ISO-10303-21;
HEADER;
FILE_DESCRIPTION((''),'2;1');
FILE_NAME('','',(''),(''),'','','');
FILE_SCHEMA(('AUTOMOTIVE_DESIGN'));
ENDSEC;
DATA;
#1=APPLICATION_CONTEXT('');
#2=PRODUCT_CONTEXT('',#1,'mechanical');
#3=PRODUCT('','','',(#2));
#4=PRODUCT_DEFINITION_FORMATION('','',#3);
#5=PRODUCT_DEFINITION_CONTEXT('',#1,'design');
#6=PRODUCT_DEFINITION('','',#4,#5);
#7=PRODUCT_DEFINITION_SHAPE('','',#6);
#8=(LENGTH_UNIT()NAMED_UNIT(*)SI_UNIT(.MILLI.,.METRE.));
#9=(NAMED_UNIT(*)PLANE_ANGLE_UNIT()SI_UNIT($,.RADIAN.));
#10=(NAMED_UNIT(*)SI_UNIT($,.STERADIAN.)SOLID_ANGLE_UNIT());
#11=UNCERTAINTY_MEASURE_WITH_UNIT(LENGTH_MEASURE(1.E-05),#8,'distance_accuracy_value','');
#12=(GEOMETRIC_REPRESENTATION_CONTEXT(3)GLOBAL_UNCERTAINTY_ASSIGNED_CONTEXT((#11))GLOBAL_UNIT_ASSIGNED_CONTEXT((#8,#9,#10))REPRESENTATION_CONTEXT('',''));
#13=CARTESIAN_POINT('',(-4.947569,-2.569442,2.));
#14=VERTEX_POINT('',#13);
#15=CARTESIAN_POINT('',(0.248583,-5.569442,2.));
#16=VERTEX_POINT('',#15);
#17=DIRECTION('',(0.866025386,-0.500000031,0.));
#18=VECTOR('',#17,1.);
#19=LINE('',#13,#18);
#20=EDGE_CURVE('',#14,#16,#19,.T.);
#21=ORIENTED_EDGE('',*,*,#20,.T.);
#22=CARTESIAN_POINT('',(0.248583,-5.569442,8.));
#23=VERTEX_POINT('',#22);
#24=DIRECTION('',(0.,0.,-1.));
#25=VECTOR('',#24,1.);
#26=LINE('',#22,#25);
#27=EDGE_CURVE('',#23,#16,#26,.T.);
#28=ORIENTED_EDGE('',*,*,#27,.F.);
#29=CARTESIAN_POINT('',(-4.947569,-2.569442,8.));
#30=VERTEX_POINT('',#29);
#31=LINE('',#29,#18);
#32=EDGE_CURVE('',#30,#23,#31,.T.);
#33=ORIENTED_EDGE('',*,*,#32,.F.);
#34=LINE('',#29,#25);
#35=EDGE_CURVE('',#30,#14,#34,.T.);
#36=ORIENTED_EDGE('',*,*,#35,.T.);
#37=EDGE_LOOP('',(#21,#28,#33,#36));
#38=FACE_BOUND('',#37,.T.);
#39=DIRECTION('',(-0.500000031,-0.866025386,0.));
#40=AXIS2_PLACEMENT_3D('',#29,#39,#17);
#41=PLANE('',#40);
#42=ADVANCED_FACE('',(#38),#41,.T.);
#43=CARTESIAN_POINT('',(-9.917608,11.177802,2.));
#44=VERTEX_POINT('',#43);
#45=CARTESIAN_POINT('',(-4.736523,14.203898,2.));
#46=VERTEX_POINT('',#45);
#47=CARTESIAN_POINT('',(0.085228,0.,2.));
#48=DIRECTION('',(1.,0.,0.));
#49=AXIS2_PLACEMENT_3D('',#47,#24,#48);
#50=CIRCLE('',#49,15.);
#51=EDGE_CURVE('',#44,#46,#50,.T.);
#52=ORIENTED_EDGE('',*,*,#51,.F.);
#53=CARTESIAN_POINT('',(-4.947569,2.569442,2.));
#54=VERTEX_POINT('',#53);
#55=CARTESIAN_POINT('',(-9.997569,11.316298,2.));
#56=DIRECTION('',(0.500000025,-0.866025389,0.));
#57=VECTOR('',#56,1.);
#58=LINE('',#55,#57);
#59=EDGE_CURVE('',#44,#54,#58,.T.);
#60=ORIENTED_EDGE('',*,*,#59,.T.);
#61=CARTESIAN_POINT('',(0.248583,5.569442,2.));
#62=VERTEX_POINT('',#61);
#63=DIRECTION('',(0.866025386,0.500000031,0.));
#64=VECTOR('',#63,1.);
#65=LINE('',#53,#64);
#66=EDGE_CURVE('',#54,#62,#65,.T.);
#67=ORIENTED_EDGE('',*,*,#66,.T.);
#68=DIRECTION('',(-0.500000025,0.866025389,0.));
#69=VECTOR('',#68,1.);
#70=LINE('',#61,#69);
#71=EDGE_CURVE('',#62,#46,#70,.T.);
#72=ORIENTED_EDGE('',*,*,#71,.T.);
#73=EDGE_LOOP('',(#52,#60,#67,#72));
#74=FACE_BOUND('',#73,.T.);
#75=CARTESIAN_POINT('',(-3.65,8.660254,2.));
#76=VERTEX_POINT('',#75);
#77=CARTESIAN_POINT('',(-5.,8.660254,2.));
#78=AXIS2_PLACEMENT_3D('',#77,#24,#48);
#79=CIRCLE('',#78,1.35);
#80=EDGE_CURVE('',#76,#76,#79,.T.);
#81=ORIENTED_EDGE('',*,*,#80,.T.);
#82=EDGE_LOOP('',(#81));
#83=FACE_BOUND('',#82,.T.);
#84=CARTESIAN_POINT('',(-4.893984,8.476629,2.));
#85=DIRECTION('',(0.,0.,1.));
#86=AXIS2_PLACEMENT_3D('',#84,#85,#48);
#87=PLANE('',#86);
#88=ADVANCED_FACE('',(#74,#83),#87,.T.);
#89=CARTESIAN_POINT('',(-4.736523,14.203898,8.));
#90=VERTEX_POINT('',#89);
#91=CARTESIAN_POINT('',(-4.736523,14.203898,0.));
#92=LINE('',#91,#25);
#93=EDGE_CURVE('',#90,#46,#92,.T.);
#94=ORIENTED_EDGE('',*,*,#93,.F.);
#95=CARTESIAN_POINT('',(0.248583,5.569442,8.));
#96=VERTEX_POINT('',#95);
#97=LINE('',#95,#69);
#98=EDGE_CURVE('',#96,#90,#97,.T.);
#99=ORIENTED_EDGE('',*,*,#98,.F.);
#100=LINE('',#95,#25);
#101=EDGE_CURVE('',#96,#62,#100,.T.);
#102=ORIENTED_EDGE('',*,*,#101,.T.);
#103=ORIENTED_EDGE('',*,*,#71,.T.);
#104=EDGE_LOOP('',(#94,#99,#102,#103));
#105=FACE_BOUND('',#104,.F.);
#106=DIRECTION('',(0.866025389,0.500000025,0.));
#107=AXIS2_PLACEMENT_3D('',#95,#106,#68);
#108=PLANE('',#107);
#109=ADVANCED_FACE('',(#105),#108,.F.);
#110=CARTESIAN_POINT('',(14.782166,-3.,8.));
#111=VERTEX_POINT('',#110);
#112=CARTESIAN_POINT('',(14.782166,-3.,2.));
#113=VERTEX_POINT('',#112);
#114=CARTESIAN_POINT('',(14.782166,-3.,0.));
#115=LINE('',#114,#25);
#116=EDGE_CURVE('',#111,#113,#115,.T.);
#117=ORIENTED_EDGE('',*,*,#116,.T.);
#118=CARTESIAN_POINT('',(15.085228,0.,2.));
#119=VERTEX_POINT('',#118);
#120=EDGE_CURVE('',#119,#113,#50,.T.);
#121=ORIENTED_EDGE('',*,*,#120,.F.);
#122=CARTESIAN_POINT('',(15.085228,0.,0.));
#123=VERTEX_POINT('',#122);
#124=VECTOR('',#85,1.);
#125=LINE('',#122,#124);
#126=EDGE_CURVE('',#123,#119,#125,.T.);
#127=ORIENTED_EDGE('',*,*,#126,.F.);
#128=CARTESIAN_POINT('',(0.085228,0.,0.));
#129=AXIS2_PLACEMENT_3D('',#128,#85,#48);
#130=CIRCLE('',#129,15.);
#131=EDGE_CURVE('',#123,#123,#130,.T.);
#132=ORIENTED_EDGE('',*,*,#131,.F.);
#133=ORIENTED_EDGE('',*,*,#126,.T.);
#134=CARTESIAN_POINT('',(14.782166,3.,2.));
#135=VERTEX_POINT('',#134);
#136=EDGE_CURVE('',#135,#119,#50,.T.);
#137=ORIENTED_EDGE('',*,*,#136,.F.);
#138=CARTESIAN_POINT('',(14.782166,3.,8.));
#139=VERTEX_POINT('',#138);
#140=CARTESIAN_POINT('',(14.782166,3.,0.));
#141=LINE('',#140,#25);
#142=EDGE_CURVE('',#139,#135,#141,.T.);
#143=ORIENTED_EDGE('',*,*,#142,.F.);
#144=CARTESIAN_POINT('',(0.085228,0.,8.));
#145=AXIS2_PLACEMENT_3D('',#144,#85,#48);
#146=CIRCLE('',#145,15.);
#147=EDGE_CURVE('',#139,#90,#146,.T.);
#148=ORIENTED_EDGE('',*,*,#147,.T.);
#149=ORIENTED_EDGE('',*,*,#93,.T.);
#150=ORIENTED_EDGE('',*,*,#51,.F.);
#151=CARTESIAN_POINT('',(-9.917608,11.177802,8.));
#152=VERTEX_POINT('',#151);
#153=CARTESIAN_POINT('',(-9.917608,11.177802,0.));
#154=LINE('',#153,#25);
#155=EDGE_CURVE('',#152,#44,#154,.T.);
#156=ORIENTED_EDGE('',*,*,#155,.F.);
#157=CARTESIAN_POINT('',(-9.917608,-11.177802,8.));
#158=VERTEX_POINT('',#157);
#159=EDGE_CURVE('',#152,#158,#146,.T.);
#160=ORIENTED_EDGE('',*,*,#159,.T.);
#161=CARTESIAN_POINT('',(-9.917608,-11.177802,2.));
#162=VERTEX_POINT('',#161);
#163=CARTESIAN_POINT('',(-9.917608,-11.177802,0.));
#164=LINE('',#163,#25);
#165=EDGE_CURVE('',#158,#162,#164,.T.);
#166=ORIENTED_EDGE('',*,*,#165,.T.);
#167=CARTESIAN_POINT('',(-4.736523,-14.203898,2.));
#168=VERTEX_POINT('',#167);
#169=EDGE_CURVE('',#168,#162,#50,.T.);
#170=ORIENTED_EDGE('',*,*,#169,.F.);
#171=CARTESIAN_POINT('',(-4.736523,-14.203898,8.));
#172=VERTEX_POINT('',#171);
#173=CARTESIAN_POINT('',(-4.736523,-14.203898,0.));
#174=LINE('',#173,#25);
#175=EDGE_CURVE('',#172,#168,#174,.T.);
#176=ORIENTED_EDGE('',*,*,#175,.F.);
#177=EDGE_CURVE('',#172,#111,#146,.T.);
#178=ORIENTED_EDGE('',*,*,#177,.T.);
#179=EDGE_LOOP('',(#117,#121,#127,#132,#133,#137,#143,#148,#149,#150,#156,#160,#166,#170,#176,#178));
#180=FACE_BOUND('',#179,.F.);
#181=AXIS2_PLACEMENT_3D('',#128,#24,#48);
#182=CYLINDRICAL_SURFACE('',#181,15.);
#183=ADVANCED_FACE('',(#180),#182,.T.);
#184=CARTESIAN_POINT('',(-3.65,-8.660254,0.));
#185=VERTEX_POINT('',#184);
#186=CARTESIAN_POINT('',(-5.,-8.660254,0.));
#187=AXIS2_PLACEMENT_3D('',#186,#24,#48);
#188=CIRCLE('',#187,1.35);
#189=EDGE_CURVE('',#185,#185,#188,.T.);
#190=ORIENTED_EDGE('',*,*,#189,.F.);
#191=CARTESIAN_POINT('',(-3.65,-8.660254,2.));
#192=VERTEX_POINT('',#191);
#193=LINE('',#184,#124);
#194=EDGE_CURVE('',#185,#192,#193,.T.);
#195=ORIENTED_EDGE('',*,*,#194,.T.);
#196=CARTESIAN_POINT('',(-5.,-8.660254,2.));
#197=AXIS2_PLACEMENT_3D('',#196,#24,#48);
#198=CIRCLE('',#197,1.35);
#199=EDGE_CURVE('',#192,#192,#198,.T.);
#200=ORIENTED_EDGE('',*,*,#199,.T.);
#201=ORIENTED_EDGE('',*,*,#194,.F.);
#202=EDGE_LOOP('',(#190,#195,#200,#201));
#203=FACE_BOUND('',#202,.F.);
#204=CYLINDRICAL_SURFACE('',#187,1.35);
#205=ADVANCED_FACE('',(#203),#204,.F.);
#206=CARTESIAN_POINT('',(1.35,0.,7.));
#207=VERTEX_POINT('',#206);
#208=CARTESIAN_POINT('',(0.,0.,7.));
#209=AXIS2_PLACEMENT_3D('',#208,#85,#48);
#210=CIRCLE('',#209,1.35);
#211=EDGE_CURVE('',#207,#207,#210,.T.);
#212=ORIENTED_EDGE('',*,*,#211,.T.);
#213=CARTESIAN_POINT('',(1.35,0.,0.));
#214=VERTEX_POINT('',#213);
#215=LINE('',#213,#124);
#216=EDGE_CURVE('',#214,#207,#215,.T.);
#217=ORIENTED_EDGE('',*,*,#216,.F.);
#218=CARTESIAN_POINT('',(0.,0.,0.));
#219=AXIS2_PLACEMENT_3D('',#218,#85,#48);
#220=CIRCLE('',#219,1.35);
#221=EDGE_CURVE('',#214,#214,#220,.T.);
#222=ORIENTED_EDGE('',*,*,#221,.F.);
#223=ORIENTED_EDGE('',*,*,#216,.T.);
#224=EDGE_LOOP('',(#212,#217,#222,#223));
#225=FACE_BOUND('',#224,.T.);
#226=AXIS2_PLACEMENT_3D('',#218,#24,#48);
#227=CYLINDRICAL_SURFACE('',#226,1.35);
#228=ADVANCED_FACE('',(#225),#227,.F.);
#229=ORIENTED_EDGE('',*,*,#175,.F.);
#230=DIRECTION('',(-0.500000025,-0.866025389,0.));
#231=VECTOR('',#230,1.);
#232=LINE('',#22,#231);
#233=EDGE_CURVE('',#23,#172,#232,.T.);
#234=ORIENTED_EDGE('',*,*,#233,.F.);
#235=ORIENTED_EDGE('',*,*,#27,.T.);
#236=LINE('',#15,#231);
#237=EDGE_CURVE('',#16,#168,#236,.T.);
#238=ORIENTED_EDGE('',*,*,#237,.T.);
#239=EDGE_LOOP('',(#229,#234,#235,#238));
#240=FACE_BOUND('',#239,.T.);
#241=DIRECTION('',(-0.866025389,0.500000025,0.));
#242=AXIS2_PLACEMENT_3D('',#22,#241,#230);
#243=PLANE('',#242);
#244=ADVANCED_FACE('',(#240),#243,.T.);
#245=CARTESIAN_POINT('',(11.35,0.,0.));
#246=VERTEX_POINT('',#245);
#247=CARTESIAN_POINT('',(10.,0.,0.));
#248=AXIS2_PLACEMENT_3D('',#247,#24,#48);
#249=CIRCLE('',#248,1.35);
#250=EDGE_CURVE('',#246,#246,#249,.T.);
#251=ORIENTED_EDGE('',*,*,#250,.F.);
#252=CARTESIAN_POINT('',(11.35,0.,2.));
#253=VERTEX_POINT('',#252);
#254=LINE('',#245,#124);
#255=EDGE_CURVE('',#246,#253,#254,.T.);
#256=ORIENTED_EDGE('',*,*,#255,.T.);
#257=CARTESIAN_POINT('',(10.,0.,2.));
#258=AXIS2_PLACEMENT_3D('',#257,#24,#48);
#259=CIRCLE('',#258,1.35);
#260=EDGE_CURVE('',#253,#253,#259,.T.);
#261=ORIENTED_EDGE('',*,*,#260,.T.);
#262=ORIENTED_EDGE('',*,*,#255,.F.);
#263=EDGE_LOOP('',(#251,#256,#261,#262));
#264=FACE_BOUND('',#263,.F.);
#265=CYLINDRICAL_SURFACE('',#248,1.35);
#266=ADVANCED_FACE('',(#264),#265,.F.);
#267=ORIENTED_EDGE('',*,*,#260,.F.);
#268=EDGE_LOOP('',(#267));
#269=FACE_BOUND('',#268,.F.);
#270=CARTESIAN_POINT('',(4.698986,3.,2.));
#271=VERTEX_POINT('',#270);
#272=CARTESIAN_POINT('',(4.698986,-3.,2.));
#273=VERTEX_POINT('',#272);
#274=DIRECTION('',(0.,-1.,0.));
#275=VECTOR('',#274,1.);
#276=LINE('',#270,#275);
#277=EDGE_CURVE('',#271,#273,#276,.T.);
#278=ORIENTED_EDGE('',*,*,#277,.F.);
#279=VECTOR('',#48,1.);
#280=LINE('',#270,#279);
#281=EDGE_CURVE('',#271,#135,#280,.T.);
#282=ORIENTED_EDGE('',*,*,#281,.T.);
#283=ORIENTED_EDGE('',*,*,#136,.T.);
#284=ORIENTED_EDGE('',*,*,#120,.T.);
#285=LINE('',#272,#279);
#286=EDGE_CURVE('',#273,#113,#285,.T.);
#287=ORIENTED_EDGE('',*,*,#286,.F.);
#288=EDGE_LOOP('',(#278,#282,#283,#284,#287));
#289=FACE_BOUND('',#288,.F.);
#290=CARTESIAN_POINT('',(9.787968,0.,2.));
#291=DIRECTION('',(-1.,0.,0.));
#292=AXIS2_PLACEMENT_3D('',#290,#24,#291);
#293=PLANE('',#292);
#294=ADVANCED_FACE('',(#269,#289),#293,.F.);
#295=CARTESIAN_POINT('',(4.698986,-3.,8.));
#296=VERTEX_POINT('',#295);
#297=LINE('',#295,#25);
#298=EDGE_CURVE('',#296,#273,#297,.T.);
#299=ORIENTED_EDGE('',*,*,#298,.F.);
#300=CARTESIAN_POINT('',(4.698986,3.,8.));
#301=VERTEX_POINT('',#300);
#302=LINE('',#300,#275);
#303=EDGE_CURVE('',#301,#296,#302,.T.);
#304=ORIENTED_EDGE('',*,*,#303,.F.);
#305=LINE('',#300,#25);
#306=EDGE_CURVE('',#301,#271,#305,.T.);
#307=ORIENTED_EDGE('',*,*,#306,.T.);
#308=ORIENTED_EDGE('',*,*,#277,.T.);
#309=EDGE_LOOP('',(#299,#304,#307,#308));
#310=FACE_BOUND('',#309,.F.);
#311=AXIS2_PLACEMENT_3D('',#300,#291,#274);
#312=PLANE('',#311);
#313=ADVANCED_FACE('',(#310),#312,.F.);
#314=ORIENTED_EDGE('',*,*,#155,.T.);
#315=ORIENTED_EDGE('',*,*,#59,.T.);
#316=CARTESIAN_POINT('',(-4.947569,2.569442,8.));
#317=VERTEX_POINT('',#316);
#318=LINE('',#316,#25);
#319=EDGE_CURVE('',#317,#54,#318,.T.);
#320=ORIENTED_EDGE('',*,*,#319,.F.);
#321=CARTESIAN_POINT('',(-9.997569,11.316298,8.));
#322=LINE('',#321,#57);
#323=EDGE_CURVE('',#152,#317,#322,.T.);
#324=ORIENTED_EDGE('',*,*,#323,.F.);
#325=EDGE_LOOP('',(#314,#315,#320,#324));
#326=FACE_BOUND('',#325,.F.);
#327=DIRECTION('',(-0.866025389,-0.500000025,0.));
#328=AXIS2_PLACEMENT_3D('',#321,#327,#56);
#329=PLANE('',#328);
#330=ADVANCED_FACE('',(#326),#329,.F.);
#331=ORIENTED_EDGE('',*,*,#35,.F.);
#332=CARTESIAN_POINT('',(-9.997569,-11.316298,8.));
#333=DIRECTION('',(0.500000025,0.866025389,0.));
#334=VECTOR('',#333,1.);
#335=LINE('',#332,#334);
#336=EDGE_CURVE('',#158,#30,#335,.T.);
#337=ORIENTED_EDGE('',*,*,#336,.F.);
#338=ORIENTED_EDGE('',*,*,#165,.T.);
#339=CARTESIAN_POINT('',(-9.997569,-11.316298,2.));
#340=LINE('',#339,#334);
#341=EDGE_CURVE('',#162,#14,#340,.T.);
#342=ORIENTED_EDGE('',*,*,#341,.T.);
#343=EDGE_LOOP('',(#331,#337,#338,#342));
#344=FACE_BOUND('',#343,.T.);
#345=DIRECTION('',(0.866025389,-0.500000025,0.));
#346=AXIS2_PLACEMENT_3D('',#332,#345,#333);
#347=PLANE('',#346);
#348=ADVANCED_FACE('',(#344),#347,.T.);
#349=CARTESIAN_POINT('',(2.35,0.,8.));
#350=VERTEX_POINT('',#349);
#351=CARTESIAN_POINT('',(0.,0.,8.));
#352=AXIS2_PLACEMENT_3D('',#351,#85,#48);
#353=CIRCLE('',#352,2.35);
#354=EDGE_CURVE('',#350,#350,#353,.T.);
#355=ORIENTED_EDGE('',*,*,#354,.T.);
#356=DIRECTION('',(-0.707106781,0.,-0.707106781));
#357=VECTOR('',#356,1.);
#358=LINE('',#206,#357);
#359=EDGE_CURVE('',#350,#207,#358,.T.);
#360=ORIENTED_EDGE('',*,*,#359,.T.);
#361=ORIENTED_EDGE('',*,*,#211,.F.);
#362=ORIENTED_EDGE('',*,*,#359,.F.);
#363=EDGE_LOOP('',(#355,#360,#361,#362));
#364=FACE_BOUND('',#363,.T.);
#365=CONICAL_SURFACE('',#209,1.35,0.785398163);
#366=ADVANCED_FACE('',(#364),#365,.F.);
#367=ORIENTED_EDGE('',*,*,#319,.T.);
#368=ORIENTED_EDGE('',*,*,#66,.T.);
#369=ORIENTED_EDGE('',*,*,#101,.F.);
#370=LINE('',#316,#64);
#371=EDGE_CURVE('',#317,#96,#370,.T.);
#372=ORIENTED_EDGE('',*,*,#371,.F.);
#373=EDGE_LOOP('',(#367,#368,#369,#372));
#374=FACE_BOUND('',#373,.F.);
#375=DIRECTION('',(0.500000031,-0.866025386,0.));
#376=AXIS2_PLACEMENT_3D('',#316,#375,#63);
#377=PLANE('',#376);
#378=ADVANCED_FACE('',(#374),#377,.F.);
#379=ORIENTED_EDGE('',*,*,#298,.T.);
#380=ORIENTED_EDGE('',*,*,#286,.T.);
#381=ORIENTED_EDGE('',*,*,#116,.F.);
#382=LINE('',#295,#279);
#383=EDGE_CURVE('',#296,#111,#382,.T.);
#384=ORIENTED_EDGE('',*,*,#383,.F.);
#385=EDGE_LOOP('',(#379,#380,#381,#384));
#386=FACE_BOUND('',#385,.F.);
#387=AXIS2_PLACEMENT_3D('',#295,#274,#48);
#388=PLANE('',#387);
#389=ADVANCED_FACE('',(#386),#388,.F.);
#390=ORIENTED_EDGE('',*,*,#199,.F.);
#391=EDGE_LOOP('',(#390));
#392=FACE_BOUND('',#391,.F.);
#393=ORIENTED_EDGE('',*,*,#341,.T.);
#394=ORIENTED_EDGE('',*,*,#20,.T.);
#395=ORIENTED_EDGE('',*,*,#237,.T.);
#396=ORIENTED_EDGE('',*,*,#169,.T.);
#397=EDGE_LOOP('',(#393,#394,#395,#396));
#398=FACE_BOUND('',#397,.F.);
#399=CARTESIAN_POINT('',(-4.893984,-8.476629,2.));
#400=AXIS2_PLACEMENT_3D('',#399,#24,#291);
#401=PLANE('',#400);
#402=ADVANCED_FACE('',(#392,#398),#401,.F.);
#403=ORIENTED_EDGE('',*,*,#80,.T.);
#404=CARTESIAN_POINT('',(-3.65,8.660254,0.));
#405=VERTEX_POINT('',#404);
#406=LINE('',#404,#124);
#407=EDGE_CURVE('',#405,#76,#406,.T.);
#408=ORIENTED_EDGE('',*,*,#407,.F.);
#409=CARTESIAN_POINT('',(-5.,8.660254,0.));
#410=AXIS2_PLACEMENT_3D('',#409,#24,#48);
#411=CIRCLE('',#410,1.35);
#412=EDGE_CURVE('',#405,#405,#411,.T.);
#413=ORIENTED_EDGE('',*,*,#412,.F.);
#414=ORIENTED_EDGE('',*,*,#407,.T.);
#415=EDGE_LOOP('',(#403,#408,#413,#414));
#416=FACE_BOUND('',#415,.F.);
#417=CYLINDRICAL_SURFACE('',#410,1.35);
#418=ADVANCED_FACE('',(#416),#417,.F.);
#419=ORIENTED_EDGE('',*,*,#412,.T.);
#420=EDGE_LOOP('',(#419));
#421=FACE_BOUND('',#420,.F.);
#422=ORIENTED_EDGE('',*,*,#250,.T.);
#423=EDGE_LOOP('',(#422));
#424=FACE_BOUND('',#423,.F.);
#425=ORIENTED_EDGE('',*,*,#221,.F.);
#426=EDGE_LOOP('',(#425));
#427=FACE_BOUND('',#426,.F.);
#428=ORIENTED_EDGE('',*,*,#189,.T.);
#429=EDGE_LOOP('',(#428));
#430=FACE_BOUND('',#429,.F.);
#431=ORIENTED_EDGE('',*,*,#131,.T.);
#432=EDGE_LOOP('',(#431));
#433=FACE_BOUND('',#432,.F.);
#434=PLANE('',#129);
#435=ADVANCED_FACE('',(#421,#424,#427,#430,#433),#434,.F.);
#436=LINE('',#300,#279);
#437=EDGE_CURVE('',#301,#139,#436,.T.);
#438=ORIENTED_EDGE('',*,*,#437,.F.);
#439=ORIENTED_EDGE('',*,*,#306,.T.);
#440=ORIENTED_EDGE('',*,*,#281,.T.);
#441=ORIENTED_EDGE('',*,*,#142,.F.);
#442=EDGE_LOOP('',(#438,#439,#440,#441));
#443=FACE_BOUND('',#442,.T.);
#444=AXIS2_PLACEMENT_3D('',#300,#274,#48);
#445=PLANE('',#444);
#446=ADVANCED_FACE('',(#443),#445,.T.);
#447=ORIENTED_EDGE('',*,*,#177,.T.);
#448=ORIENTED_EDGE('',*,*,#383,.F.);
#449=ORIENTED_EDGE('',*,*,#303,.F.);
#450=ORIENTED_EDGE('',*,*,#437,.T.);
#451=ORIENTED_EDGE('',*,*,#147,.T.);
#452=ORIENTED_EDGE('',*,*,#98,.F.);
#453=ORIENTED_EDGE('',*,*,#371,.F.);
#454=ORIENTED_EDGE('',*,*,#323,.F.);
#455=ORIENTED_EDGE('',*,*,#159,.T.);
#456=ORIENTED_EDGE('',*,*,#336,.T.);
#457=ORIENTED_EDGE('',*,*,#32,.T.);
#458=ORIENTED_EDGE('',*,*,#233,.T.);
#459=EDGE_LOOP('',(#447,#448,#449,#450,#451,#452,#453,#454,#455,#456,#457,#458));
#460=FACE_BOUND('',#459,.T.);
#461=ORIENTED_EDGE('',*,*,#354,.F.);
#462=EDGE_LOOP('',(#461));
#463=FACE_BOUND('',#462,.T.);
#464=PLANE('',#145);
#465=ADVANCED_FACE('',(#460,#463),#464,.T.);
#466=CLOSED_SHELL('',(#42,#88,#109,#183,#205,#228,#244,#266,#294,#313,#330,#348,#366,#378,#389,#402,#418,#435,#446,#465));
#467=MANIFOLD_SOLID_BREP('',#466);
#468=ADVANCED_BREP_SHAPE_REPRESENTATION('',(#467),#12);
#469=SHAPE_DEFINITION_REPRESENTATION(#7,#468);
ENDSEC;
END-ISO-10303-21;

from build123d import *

# Parameters (mm, degrees)
SKETCH_R        = 15
SKETCH_R_2      = 1.35
PAD_DEPTH       = 8
POCKET_DEPTH    = 6
SKETCH002_R     = 1.35
POCKET001_DEPTH = 5
CHAMFER_SIZE    = 1


with BuildPart() as part:
    # Sketch → Pad (new body)
    with BuildSketch(Plane.XY):
        with Locations((0.085228, 0)):
            Circle(SKETCH_R)
        Circle(SKETCH_R_2, mode=Mode.SUBTRACT)
    extrude(amount=PAD_DEPTH)

    # Sketch001 → Pocket (cut)
    with BuildSketch(Plane.XY.offset(8)):
        with BuildLine():
            Line((4.698986, 3), (14.798986, 3))
            ThreePointArc((14.798986, -3), (15.1, 0), (14.798986, 3))
            Line((4.698986, -3), (14.798986, -3))
            Line((4.698986, 3), (4.698986, -3))
        make_face()
        with BuildLine():
            Line((-9.997569, 11.316298), (-4.947569, 2.569442))
            Line((-4.947569, 2.569442), (0.248583, 5.569442))
            Line((0.248583, 5.569442), (-4.801417, 14.316298))
            ThreePointArc((-4.801417, 14.316298), (-7.55, 13.076984), (-9.997569, 11.316298))
        make_face()
        with BuildLine():
            Line((-9.997569, -11.316298), (-4.947569, -2.569442))
            Line((-4.947569, -2.569442), (0.248583, -5.569442))
            Line((0.248583, -5.569442), (-4.801417, -14.316298))
            ThreePointArc((-9.997569, -11.316298), (-7.55, -13.076984), (-4.801417, -14.316298))
        make_face()
    extrude(amount=-POCKET_DEPTH, mode=Mode.SUBTRACT)

    # Sketch002 → Pocket001 (cut)
    with BuildSketch(Plane(origin=(0, 0, 0), x_dir=(1, 0, 0), z_dir=(0, 0, -1))):
        with Locations((10, 0)):
            Circle(SKETCH002_R)
        with Locations((-5, 8.660254)):
            Circle(SKETCH002_R)
        with Locations((-5, -8.660254)):
            Circle(SKETCH002_R)
    extrude(amount=-POCKET001_DEPTH, mode=Mode.SUBTRACT)

    # Chamfer
    chamfer_edges = [part.edges().sort_by_distance(p)[0] for p in [
        (-1.35, 0, 8),
    ]]
    chamfer(chamfer_edges, length=CHAMFER_SIZE)


solid = part.part
